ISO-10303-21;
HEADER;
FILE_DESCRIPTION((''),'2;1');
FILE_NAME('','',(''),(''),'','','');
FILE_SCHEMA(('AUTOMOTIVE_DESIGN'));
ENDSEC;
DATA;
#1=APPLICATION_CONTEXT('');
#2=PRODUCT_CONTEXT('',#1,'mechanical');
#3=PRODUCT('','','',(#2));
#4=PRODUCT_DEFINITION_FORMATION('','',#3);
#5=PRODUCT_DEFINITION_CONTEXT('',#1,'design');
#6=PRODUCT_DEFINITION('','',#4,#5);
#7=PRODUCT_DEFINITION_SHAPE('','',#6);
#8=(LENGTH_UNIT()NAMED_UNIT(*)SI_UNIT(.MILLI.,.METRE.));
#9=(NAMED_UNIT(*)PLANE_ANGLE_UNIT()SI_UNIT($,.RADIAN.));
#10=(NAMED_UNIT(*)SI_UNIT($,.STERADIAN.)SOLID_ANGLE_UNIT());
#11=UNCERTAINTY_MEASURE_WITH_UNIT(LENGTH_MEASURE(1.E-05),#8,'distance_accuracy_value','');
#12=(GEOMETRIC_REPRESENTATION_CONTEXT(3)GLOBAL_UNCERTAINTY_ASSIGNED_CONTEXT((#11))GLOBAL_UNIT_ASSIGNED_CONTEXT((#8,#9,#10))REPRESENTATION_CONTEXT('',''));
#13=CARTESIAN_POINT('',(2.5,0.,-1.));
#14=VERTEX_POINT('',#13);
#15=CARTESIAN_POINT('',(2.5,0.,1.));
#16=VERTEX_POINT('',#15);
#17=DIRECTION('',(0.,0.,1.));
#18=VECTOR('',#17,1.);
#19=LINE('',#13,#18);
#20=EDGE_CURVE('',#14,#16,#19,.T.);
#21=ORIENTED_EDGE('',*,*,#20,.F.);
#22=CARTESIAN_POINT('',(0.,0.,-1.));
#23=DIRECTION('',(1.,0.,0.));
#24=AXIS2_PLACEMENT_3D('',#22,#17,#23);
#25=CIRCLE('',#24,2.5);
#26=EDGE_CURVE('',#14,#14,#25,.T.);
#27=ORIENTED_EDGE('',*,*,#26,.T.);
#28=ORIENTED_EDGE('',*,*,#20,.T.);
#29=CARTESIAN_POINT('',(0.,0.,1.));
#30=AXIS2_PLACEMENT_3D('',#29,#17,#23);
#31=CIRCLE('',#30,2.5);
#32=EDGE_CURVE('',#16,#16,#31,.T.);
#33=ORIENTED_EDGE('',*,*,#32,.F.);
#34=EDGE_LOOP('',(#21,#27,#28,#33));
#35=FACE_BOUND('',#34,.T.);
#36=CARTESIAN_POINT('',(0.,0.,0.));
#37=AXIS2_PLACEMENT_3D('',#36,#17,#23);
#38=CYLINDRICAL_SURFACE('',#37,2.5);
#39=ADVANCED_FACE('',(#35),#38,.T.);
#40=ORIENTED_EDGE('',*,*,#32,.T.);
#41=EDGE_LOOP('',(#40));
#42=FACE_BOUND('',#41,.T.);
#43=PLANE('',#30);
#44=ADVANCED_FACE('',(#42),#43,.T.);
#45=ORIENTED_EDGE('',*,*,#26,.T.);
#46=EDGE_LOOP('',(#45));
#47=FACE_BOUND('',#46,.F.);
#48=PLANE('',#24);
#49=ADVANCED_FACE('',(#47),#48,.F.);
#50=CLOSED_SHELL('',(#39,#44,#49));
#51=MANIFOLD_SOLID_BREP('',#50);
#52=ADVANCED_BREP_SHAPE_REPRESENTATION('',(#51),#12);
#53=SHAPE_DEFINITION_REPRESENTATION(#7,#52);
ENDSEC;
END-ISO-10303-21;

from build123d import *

# Parameters (mm, degrees)
SKETCH1_R           = 2.5
BOSS_EXTRUDE1_DEPTH = 1


with BuildPart() as part:
    # Sketch1 → Boss-Extrude1 (new body, symmetric)
    with BuildSketch(Plane.XY):
        Circle(SKETCH1_R)
    extrude(amount=BOSS_EXTRUDE1_DEPTH, both=True)


solid = part.part
